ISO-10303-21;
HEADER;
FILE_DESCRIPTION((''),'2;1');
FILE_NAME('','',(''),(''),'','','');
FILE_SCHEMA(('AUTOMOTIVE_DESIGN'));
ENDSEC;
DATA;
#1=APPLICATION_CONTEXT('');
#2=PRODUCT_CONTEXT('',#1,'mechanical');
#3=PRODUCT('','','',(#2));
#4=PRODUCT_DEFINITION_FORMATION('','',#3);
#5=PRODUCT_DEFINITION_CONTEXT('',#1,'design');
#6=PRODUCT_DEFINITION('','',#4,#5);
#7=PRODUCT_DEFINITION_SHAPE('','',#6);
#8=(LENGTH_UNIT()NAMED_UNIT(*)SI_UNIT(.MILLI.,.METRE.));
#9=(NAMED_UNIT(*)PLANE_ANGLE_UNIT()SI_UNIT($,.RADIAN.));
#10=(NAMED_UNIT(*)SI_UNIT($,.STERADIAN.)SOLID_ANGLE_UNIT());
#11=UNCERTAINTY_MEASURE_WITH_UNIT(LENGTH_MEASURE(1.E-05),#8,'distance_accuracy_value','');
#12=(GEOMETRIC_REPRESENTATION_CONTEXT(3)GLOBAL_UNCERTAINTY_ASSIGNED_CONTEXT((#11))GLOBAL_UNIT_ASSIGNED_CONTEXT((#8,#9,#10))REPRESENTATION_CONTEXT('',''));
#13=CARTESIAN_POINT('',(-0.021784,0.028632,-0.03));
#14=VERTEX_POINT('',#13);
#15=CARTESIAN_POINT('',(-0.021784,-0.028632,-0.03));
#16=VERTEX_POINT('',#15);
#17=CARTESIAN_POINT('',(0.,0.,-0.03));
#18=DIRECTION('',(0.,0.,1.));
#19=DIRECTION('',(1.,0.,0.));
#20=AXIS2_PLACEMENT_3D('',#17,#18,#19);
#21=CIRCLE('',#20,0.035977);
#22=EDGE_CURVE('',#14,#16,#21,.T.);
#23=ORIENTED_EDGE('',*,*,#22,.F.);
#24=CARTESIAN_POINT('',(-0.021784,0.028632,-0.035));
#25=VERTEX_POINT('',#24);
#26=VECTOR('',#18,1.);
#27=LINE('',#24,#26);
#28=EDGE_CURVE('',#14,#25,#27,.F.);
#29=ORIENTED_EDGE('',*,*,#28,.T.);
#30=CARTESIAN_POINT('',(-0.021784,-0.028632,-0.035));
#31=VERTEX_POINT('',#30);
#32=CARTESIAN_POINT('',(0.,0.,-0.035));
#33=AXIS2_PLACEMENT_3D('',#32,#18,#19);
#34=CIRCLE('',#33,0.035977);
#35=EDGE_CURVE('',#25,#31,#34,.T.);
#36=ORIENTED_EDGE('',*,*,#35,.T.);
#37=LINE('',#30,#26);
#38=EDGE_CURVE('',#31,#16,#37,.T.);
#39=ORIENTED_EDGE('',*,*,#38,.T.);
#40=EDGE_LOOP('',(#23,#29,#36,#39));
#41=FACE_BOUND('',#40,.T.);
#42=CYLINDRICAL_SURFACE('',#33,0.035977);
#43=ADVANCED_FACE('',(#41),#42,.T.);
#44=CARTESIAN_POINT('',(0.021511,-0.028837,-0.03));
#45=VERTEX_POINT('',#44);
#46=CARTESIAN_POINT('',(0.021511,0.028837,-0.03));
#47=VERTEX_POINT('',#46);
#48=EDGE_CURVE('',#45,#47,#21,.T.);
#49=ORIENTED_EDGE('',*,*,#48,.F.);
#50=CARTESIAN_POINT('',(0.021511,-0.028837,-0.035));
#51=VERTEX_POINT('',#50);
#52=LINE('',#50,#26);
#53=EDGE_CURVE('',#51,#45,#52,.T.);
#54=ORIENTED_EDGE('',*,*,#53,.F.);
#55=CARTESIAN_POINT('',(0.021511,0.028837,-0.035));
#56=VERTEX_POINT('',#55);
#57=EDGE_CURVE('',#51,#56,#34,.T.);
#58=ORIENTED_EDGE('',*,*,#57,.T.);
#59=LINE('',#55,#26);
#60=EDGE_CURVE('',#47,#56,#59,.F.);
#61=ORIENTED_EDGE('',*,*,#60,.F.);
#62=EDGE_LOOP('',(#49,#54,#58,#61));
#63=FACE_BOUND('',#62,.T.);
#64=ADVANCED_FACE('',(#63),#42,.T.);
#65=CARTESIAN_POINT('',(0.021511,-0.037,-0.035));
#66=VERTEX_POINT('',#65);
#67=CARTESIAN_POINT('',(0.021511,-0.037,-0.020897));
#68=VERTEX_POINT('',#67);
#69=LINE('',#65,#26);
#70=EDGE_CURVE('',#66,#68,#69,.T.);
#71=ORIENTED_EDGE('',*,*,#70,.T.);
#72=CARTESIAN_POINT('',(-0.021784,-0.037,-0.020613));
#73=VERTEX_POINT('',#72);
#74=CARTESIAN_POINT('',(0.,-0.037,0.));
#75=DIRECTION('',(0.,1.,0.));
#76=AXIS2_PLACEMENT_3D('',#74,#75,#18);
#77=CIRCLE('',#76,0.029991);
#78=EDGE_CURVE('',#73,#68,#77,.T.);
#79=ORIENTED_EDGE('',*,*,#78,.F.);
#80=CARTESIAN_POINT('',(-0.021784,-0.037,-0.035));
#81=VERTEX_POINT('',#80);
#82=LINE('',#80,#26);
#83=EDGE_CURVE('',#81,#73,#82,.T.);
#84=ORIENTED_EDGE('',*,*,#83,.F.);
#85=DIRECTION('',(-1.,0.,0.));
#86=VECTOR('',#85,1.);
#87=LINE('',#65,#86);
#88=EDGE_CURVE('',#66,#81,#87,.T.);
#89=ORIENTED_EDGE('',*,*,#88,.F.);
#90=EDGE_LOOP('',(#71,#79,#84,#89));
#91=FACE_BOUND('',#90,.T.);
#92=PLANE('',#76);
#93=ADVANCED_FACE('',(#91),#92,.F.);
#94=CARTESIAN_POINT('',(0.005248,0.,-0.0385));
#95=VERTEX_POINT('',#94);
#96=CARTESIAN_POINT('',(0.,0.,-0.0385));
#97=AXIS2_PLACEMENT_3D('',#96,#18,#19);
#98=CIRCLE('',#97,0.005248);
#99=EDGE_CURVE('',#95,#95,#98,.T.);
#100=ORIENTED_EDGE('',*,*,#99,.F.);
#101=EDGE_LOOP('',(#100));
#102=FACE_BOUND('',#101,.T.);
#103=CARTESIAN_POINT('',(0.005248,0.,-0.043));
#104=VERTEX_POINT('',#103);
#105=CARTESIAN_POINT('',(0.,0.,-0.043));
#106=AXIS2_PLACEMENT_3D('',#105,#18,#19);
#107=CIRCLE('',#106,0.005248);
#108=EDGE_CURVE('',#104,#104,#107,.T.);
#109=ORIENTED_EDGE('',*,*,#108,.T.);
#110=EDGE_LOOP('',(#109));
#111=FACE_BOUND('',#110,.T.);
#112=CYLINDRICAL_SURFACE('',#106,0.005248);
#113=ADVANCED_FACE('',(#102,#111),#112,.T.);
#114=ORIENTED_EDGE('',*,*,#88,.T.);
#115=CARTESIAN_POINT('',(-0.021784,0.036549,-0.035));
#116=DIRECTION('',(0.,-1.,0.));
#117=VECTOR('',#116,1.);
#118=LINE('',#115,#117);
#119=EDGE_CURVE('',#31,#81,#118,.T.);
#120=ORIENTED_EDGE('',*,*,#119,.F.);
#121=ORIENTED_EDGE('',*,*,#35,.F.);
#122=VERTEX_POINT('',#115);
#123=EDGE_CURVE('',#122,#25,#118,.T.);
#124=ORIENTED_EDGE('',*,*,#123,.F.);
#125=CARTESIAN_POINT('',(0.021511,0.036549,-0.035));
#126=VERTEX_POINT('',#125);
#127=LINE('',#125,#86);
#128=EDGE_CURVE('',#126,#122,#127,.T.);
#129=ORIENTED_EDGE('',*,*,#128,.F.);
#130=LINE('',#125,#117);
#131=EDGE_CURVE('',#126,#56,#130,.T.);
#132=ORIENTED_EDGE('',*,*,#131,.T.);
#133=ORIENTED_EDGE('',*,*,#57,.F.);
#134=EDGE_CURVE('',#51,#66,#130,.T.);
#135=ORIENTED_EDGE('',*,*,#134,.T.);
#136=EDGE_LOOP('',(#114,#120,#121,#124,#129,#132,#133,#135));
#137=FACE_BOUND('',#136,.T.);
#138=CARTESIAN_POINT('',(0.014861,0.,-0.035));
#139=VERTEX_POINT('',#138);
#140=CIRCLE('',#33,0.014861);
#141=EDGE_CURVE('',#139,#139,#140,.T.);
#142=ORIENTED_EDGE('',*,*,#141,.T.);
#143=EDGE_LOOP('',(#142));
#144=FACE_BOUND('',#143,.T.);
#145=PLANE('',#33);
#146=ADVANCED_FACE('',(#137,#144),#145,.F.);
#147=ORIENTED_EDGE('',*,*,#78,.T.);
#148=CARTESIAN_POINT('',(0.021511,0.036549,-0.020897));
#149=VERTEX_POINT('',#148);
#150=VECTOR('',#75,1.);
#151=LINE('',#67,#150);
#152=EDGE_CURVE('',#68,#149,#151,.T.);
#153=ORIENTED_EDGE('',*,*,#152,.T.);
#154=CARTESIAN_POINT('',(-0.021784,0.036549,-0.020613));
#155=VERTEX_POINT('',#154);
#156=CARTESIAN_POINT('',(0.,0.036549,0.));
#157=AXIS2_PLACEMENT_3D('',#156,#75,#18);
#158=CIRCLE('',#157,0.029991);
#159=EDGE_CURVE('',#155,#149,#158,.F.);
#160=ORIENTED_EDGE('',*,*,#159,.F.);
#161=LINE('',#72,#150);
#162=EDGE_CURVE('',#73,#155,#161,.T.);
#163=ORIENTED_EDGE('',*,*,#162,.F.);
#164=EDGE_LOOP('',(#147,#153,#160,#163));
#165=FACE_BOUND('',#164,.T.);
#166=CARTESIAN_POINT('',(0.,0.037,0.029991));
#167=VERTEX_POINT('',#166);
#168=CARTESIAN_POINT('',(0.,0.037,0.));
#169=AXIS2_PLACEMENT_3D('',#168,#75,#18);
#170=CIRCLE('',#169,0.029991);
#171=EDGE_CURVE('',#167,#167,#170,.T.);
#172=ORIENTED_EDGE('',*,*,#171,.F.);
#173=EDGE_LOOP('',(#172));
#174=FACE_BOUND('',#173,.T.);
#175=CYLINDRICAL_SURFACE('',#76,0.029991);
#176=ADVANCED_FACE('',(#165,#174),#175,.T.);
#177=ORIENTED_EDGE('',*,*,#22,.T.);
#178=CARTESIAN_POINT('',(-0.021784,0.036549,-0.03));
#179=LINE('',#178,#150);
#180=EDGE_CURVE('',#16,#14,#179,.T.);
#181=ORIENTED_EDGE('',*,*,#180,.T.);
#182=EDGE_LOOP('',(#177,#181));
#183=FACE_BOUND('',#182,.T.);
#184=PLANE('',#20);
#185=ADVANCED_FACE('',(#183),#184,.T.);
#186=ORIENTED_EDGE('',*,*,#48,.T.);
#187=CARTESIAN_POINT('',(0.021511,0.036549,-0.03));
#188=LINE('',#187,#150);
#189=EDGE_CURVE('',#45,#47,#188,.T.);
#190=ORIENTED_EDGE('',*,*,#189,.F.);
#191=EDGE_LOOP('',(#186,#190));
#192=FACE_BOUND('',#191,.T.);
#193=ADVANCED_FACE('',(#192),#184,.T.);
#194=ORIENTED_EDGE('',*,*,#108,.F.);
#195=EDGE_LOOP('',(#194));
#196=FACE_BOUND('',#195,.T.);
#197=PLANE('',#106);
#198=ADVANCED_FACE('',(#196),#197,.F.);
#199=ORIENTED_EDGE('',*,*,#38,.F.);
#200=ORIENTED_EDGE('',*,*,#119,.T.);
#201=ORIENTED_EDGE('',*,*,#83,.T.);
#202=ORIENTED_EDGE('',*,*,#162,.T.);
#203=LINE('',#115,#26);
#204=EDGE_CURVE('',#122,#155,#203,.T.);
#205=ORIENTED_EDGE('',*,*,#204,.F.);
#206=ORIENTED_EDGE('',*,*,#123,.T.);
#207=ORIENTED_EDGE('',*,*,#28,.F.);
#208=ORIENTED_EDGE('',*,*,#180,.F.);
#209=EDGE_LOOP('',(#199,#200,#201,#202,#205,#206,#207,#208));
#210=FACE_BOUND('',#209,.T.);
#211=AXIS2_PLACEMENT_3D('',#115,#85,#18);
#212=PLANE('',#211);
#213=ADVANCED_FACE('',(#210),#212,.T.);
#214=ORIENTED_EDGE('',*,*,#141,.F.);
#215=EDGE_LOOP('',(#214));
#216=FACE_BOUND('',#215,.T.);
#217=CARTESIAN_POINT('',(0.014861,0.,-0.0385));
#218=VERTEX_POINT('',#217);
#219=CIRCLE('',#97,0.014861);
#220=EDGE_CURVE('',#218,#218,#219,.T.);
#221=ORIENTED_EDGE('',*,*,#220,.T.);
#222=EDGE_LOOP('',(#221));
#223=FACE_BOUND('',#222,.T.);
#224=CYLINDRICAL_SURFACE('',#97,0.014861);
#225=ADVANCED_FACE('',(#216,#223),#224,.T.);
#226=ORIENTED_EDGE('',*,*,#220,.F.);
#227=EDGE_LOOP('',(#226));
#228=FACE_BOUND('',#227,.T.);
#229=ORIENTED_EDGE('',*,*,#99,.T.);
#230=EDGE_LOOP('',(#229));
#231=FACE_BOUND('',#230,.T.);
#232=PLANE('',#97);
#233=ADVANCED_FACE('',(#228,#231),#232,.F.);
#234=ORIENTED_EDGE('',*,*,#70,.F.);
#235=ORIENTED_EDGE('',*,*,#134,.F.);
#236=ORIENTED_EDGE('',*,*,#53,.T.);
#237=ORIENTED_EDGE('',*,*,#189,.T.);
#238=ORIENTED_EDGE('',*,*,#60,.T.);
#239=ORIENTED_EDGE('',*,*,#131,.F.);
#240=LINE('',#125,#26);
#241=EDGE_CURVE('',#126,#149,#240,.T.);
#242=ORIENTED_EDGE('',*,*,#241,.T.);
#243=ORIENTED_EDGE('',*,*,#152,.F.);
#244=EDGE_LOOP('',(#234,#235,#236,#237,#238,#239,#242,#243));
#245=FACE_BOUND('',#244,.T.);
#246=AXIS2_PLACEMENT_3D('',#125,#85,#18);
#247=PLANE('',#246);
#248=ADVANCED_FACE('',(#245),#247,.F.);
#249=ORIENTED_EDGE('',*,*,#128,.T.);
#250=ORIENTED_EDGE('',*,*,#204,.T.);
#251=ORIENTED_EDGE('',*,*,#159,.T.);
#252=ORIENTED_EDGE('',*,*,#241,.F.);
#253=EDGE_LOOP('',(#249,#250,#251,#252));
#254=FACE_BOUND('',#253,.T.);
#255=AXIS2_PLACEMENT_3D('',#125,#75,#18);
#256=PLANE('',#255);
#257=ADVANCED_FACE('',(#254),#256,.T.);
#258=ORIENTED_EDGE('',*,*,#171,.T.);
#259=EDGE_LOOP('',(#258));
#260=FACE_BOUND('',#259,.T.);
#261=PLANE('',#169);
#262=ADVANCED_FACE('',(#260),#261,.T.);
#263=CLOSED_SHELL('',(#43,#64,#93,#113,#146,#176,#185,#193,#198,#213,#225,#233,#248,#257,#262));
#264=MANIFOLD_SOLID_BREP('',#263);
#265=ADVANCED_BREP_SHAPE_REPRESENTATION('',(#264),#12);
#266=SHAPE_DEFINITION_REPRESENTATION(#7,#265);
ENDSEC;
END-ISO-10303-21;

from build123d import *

# Parameters (mm, degrees)
BOSS_EXTRUDE1_DEPTH      = 0.037
BOSS_EXTRUDE1_DEPTH_BACK = 0.037
SKETCH1_R                = 0.02999071
SKETCH2_W                = 0.043295271
SKETCH2_H                = 0.073549039
BOSS_EXTRUDE2_DEPTH      = 0.035
BOSS_EXTRUDE3_START      = -0.03
SKETCH2_3_R              = 0.035976834
BOSS_EXTRUDE3_DEPTH      = 0.005
SKETCH3_R                = 0.014860666
SKETCH3_R_2              = 0.005248218
BOSS_EXTRUDE4_DEPTH      = 0.0385
SKETCH3_2_R              = 0.005248218
BOSS_EXTRUDE5_DEPTH      = 0.043


with BuildPart() as part:
    # Sketch1 → Boss-Extrude1 (new, two sides: drawn at the far end of the back side and taken through both)
    with BuildSketch(Plane(origin=(0, 0, 0), x_dir=(1, 0, 0), z_dir=(0, 1, 0)).offset(-BOSS_EXTRUDE1_DEPTH_BACK)):
        Circle(SKETCH1_R)
    extrude(amount=BOSS_EXTRUDE1_DEPTH + BOSS_EXTRUDE1_DEPTH_BACK)

    # Sketch2 → Boss-Extrude2 (add)
    with BuildSketch(Plane.XY):
        with Locations((-0.000136275, -0.00022548)):
            Rectangle(SKETCH2_W, SKETCH2_H)
    extrude(amount=-BOSS_EXTRUDE2_DEPTH)

    # Sketch2<3> → Boss-Extrude3 (add)
    with BuildSketch(Plane.XY.offset(BOSS_EXTRUDE3_START)):
        Circle(SKETCH2_3_R)
    extrude(amount=-BOSS_EXTRUDE3_DEPTH)

    # Sketch3 → Boss-Extrude4 (add)
    with BuildSketch(Plane.XY):
        Circle(SKETCH3_R)
        Circle(SKETCH3_R_2, mode=Mode.SUBTRACT)
    extrude(amount=-BOSS_EXTRUDE4_DEPTH)

    # Sketch3<2> → Boss-Extrude5 (add)
    with BuildSketch(Plane.XY):
        Circle(SKETCH3_2_R)
    extrude(amount=-BOSS_EXTRUDE5_DEPTH)


solid = part.part
